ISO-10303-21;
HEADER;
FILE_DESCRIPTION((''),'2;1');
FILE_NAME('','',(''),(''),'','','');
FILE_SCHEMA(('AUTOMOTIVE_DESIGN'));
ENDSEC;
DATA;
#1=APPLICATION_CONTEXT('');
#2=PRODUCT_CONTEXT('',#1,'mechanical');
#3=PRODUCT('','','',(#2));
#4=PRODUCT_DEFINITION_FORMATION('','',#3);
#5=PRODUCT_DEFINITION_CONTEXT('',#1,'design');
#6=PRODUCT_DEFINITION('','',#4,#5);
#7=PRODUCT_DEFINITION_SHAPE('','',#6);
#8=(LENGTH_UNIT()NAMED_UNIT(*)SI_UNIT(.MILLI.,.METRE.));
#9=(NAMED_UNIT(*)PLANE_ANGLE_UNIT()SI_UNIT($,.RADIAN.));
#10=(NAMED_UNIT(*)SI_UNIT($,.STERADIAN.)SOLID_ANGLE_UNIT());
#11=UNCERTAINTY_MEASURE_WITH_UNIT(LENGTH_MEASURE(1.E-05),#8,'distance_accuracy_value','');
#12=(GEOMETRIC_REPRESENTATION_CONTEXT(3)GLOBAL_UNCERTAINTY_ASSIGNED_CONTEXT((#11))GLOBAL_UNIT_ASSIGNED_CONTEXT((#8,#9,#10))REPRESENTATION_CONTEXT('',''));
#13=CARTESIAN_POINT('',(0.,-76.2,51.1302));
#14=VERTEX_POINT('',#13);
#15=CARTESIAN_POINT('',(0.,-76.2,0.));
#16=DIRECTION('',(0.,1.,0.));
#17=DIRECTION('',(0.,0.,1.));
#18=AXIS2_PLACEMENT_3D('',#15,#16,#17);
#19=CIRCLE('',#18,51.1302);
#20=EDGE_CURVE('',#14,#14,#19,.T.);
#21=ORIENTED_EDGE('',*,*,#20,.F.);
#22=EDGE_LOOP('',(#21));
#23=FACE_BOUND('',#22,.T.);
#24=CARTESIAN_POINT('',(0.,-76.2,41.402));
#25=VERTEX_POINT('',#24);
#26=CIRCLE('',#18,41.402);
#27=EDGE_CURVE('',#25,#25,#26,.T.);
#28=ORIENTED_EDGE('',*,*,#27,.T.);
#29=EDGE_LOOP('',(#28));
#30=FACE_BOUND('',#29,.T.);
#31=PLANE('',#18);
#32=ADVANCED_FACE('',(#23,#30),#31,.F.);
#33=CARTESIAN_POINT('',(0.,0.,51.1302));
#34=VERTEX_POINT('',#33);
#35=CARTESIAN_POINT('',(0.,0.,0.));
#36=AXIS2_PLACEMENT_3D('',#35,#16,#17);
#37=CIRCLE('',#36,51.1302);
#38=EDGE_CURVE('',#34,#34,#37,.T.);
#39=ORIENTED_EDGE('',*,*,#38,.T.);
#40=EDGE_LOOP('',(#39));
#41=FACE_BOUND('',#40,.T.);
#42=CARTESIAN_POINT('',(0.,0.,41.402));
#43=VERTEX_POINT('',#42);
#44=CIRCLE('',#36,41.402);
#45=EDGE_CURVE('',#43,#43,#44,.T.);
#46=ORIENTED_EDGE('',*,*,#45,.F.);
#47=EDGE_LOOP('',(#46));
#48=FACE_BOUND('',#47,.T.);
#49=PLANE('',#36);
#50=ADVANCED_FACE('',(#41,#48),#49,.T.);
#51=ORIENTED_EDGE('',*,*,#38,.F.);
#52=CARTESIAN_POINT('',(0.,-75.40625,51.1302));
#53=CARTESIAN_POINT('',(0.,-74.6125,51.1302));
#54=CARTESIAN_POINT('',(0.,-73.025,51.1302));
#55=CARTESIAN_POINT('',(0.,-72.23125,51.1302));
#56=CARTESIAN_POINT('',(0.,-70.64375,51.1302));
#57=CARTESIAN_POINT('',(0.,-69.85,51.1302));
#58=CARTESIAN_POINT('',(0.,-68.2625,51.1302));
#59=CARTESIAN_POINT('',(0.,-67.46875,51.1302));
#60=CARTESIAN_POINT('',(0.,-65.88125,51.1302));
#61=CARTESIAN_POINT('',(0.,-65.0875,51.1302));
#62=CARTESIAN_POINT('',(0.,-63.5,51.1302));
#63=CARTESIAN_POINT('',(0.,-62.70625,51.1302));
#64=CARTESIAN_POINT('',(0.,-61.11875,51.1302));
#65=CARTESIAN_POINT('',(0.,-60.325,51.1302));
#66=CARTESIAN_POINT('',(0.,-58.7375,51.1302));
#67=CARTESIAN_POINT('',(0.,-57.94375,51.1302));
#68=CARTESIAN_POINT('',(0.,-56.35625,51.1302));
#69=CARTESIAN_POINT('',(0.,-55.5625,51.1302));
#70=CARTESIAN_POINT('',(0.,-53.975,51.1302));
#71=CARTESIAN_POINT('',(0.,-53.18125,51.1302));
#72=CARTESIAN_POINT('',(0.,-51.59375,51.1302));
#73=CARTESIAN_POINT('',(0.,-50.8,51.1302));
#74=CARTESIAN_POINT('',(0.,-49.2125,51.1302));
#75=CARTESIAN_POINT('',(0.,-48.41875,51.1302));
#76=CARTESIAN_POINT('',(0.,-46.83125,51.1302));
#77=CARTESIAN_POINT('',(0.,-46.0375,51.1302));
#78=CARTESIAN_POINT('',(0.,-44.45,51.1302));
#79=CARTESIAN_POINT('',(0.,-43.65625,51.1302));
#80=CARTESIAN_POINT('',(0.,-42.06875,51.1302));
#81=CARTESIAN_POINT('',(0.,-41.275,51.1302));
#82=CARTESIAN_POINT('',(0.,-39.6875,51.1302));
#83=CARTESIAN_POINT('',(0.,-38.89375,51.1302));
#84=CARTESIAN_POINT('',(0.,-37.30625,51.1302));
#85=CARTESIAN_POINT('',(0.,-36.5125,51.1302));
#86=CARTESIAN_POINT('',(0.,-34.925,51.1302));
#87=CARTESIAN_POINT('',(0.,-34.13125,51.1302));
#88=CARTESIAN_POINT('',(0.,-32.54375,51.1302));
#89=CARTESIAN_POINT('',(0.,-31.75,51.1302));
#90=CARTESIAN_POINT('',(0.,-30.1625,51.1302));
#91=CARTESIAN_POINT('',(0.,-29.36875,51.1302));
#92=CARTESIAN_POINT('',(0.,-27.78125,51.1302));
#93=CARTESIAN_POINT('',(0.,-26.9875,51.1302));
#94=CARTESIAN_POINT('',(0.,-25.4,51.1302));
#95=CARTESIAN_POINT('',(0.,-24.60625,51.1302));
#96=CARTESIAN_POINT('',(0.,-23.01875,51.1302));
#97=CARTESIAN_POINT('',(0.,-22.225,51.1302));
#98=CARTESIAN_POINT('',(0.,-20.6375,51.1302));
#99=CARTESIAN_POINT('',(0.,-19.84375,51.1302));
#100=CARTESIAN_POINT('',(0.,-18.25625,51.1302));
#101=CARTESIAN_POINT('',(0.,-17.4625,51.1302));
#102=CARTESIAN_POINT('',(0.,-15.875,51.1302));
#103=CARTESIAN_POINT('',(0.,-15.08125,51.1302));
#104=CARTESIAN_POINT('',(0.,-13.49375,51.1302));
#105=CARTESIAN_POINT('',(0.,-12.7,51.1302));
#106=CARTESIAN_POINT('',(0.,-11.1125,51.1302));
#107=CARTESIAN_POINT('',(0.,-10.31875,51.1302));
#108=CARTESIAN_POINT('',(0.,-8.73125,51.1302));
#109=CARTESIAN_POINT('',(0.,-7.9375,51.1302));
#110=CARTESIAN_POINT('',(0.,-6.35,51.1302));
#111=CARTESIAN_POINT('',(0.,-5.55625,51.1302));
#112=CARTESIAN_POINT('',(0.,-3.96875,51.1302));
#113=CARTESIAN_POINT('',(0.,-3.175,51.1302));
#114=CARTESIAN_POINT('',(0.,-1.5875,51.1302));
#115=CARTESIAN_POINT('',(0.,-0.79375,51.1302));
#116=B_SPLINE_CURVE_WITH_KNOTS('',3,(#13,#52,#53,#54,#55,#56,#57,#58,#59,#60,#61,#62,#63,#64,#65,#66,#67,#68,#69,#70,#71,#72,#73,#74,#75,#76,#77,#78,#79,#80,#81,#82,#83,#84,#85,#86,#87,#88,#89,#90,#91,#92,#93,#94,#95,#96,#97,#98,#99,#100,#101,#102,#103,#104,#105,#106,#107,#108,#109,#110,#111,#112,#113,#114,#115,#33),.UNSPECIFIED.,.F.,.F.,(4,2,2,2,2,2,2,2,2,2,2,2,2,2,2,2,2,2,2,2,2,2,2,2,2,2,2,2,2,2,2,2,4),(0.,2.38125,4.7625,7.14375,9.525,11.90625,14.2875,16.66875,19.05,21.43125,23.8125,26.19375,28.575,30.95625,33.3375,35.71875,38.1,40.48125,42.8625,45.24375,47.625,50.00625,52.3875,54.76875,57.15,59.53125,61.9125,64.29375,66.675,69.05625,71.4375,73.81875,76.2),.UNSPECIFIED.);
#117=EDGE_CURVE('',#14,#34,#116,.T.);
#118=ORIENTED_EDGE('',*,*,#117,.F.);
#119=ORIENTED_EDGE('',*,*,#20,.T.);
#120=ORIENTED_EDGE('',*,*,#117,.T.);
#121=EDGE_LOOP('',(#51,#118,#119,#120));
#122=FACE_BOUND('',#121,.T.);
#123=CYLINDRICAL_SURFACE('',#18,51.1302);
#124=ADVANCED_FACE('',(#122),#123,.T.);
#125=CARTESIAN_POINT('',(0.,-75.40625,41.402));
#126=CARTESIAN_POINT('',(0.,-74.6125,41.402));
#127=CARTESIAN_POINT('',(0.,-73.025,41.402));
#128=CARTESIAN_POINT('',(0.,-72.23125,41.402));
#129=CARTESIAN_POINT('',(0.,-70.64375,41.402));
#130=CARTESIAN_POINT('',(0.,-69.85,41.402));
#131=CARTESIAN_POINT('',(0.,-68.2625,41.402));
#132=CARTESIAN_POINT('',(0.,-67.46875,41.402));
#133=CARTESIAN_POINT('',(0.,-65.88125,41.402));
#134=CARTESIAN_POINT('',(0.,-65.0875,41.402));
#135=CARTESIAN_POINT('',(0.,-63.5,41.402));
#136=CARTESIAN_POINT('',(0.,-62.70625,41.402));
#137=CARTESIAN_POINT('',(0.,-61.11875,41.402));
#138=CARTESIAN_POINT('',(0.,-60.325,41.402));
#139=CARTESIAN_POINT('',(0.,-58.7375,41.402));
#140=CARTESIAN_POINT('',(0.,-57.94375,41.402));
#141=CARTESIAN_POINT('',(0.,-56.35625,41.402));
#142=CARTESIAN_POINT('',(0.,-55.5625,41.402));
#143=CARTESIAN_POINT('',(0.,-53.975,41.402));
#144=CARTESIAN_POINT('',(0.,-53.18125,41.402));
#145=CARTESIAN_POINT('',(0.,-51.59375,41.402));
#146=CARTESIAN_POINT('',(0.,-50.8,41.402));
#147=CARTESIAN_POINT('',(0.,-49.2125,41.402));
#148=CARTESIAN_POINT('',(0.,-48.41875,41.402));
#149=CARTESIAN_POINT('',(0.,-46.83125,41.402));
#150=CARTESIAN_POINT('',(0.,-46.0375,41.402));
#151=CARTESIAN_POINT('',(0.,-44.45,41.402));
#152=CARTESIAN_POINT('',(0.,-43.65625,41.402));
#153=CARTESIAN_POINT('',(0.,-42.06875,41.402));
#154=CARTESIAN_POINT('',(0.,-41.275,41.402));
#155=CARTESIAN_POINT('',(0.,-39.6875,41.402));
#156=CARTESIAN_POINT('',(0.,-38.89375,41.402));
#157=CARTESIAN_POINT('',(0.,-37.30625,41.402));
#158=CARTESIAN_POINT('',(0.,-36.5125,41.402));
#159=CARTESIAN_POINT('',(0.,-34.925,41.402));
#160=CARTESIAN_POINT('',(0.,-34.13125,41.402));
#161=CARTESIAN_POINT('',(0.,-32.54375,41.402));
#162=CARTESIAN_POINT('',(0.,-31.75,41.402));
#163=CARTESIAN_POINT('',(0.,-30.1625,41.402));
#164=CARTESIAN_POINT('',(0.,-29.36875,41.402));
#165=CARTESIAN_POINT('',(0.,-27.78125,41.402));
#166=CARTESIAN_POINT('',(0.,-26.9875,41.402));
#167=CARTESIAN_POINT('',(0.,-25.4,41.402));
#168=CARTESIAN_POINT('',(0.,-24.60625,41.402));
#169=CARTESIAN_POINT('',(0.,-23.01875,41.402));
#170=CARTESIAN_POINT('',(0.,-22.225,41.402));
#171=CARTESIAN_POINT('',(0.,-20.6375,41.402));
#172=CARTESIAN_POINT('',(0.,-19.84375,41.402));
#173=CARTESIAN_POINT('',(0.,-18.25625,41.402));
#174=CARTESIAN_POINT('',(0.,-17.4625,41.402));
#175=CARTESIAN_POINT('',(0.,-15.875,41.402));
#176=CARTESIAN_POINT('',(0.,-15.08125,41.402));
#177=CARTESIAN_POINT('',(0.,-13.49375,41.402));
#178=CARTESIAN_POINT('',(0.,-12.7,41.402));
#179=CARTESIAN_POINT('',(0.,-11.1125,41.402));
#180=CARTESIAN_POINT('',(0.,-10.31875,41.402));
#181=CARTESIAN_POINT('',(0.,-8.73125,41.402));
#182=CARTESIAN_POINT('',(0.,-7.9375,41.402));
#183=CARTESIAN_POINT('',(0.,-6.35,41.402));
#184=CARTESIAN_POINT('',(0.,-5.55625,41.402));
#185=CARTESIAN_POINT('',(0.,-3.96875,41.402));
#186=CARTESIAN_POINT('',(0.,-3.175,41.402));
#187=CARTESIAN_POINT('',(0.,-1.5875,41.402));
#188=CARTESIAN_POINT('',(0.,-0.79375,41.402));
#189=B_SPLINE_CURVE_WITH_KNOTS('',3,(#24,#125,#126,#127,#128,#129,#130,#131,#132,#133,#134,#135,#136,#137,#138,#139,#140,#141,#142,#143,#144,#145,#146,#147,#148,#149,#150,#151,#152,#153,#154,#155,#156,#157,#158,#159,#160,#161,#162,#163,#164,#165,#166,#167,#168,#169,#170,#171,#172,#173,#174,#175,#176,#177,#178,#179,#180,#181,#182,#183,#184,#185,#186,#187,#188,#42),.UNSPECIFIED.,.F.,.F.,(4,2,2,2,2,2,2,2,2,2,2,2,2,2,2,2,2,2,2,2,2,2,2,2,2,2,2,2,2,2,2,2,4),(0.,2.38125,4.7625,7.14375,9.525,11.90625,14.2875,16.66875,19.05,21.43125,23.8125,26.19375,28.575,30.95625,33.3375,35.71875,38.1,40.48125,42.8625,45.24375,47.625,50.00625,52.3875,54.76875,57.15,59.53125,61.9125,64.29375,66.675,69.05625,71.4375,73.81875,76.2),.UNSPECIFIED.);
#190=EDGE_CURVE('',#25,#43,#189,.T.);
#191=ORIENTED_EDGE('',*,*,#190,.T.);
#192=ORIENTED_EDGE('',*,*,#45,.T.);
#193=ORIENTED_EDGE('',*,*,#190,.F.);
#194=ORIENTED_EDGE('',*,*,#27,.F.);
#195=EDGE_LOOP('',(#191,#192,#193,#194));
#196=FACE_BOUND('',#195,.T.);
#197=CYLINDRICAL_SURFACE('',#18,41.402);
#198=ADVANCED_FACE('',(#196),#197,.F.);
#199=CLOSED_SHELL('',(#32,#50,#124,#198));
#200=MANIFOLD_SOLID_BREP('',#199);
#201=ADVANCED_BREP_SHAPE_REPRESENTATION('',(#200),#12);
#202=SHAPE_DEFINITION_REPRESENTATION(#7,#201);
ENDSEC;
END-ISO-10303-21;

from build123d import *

# Parameters (mm, degrees)
SKETCH1_R      = 51.1302
SKETCH1_R_2    = 41.402
ABLATIVE_DEPTH = 76.2


with BuildPart() as part:
    # Sketch1 → Ablative (new body)
    with BuildSketch(Plane(origin=(0, 0, 0), x_dir=(1, 0, 0), z_dir=(0, 1, 0))):
        Circle(SKETCH1_R)
        Circle(SKETCH1_R_2, mode=Mode.SUBTRACT)
    extrude(amount=-ABLATIVE_DEPTH)


solid = part.part
